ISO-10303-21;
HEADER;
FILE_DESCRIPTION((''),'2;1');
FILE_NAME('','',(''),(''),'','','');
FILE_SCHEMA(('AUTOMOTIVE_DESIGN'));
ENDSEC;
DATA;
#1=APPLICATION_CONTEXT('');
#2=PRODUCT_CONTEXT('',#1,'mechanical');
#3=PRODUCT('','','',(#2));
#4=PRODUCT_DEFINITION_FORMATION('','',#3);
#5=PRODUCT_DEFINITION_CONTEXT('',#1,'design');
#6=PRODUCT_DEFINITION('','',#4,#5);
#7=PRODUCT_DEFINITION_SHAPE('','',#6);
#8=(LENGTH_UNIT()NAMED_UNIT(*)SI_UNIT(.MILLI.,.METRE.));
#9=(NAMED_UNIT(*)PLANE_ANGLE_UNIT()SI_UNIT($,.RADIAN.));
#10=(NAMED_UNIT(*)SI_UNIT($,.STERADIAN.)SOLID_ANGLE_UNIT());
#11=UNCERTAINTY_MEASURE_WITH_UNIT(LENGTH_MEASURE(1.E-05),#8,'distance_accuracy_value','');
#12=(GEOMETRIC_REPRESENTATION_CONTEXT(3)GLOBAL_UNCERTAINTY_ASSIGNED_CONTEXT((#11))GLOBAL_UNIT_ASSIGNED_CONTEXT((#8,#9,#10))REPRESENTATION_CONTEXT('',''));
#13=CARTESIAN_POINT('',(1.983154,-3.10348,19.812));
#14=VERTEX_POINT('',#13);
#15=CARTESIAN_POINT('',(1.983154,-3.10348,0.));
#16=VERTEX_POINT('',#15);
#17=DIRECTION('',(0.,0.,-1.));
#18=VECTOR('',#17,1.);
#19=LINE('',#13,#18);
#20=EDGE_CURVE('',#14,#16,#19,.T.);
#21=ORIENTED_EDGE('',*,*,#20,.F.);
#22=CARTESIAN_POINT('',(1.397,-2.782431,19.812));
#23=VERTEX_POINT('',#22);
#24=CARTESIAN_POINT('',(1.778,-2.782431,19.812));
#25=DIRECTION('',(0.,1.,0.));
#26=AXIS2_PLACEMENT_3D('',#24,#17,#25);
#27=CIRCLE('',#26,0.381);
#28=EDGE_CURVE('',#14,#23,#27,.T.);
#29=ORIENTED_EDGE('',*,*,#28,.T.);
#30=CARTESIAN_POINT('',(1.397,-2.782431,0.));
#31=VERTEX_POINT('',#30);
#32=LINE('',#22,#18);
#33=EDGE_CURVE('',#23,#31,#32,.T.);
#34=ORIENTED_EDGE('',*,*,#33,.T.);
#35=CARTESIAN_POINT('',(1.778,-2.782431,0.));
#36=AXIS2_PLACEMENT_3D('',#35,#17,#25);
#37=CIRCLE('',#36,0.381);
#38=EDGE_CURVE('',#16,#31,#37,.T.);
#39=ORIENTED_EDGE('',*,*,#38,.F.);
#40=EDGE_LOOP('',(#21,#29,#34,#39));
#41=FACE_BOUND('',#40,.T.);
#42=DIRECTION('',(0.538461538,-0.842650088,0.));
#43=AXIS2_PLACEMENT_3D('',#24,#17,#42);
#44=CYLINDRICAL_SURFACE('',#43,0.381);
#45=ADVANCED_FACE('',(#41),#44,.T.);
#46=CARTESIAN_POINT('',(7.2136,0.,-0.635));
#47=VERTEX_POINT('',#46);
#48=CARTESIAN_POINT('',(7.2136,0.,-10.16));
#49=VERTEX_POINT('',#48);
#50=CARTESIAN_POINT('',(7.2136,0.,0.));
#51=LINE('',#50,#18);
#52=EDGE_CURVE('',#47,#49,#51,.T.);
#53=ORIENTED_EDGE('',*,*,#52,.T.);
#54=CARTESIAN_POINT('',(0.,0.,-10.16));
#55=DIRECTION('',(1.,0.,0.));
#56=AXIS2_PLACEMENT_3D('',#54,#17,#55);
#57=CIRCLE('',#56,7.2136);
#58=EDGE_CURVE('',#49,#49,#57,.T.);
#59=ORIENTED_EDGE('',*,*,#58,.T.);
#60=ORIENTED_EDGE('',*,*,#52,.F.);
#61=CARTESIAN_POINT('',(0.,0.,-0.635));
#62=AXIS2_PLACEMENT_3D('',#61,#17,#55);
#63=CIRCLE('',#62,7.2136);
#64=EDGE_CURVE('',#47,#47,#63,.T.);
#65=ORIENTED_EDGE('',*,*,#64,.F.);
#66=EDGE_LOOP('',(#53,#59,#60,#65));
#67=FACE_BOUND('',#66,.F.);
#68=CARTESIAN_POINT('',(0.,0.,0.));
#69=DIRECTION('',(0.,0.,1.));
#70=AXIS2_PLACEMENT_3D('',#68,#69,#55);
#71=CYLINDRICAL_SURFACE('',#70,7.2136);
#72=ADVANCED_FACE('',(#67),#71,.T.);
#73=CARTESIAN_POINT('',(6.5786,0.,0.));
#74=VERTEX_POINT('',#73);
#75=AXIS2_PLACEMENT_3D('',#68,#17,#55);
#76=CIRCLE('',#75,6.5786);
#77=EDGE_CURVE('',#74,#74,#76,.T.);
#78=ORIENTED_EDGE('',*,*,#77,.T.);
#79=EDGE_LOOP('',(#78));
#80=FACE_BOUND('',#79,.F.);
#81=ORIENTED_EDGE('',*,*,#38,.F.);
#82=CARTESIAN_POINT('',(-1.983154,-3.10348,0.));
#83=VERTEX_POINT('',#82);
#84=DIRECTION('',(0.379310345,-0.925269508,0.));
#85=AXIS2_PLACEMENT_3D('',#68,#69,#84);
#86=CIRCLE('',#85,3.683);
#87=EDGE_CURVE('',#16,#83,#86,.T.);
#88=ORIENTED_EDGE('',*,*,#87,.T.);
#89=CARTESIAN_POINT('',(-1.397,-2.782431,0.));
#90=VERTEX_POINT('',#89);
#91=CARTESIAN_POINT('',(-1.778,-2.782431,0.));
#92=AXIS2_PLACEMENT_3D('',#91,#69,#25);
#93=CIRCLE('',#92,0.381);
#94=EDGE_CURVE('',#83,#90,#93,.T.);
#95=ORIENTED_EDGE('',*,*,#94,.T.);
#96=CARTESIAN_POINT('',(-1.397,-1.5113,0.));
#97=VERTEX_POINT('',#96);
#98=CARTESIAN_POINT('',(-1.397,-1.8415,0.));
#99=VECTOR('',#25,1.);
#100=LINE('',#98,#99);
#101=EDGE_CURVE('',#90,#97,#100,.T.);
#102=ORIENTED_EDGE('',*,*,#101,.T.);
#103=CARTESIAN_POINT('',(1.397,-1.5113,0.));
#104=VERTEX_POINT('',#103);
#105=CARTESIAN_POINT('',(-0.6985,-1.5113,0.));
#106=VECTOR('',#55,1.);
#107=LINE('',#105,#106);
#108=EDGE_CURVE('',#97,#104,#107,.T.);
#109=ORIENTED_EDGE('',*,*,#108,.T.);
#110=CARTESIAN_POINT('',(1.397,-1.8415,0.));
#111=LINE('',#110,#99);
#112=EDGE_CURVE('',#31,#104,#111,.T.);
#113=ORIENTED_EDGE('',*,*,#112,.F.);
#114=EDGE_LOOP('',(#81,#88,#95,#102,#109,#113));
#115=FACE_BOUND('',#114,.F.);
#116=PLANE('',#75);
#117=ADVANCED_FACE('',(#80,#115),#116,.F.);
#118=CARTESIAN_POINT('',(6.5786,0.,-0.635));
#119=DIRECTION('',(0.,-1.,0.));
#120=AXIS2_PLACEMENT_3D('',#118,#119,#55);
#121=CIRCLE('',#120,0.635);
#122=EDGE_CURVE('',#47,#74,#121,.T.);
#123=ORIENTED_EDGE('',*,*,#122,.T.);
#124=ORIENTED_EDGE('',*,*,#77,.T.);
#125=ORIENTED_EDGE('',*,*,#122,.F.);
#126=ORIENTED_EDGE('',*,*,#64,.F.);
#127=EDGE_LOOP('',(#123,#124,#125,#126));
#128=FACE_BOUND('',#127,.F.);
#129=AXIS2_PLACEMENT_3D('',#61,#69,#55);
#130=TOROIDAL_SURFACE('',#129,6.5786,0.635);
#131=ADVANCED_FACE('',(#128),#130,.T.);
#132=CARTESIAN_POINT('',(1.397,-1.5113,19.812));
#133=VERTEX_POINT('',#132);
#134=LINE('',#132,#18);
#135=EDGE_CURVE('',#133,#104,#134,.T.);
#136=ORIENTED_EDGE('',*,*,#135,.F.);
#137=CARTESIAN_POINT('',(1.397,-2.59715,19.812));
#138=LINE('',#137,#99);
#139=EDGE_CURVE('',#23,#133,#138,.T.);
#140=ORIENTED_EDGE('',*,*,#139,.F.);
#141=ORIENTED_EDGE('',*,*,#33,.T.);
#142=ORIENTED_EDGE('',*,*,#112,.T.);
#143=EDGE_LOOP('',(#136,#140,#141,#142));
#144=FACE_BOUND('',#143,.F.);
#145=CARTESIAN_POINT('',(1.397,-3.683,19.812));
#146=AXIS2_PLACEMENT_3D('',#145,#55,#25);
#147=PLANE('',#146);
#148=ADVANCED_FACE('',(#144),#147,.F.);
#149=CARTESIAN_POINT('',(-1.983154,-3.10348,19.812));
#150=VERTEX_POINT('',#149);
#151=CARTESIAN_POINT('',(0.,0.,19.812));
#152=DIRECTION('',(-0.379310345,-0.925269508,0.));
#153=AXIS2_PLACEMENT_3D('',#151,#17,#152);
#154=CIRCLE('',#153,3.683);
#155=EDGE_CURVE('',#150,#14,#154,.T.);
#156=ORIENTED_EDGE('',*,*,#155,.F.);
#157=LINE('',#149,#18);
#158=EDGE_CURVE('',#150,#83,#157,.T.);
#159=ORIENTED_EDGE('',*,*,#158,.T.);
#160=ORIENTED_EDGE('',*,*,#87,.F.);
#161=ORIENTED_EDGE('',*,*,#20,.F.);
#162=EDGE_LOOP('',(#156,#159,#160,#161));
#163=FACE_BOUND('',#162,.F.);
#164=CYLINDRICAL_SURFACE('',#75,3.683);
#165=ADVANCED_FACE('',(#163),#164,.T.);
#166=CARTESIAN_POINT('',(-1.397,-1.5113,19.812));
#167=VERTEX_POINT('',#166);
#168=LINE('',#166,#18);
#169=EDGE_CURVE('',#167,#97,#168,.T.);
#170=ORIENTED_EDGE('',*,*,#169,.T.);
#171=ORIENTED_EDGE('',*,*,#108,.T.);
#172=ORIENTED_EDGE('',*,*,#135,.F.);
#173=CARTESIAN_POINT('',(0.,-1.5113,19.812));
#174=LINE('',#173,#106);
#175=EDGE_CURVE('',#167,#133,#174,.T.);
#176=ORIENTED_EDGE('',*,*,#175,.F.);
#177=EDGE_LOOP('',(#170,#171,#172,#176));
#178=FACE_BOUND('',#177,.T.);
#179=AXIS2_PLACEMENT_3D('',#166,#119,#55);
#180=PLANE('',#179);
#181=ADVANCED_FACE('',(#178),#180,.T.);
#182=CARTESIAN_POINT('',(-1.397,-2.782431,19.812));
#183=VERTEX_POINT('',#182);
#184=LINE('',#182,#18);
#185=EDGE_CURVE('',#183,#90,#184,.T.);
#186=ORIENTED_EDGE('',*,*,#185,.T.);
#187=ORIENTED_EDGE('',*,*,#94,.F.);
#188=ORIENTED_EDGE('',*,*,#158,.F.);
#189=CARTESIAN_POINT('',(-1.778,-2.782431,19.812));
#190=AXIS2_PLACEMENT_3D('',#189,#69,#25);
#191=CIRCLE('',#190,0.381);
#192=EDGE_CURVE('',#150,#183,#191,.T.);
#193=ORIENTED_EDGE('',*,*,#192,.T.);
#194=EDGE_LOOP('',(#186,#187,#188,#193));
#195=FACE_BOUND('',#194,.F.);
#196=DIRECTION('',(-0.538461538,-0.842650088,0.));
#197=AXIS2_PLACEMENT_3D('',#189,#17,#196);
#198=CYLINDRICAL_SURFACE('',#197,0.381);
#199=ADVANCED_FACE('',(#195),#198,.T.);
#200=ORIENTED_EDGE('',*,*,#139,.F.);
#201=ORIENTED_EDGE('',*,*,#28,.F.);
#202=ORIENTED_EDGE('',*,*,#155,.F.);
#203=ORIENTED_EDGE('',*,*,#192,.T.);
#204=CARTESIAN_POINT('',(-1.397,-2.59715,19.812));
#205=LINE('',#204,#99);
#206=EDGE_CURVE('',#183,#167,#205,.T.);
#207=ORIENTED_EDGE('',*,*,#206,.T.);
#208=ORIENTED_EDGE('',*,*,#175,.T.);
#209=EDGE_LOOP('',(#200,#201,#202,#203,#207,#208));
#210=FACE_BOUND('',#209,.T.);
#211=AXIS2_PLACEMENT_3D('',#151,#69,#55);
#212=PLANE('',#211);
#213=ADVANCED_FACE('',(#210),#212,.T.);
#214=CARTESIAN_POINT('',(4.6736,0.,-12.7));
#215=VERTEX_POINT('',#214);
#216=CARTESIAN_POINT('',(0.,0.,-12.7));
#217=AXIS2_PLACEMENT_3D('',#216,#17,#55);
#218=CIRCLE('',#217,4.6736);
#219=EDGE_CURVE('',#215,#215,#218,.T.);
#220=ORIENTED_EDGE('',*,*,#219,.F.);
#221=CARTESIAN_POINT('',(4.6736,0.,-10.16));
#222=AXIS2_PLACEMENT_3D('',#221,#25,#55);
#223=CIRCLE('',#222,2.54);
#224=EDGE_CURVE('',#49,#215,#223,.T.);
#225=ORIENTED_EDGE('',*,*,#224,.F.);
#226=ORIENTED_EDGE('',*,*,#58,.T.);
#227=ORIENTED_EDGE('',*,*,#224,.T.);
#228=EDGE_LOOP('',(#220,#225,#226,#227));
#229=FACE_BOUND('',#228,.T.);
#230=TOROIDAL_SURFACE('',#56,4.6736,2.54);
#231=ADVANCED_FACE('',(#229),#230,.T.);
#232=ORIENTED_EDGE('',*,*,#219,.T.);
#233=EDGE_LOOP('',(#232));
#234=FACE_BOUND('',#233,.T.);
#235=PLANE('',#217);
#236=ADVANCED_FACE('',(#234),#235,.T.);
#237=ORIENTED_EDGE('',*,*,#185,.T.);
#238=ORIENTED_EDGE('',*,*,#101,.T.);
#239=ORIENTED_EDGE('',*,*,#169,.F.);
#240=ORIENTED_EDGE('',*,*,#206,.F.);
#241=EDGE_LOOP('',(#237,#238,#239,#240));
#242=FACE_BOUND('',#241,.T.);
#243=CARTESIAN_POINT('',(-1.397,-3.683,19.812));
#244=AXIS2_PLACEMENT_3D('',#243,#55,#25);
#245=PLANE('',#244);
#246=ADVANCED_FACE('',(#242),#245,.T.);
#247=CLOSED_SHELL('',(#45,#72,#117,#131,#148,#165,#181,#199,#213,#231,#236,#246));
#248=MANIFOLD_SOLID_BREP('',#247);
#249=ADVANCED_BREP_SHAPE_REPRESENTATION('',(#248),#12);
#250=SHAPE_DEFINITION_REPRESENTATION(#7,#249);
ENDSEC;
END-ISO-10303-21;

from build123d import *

# Parameters (mm, degrees)
F0_R     = 3.683
F1_DEPTH = 19.812
F2_W     = 2.794
F2_H     = 2.1717
F3_DEPTH = 25.4
F4_R     = 0.381
F5_R     = 7.2136
F6_DEPTH = 12.7
F7_R     = 2.54
F8_R     = 0.635


with BuildPart() as f1:
    # F0 (on Top) → F1 (new body)
    with BuildSketch(Plane.XY):
        Circle(F0_R)
    extrude(amount=F1_DEPTH)

    # F2 (on face) → F3 (cut)
    with BuildSketch(Plane.XY.offset(19.812)):
        with Locations((0, -2.59715)):
            Rectangle(F2_W, F2_H)
    extrude(amount=-F3_DEPTH, mode=Mode.SUBTRACT)

    # F4
    f4_edges = [f1.edges().sort_by_distance(p)[0] for p in [
        (1.397, -3.407768, 9.906),
        (-1.397, -3.407768, 9.906),
    ]]
    fillet(f4_edges, radius=F4_R)

    # F5 (on face) → F6 (join)
    with BuildSketch(Plane(origin=(0, 0, 0), x_dir=(1, 0, 0), z_dir=(0, 0, -1))):
        Circle(F5_R)
    extrude(amount=F6_DEPTH)

    # F7
    f7_edges = [f1.edges().sort_by_distance(p)[0] for p in [
        (-7.2136, 0, -12.7),
    ]]
    fillet(f7_edges, radius=F7_R)

    # F8
    f8_edges = [f1.edges().sort_by_distance(p)[0] for p in [
        (-7.2136, 0, 0),
    ]]
    fillet(f8_edges, radius=F8_R)


solid = f1.part
